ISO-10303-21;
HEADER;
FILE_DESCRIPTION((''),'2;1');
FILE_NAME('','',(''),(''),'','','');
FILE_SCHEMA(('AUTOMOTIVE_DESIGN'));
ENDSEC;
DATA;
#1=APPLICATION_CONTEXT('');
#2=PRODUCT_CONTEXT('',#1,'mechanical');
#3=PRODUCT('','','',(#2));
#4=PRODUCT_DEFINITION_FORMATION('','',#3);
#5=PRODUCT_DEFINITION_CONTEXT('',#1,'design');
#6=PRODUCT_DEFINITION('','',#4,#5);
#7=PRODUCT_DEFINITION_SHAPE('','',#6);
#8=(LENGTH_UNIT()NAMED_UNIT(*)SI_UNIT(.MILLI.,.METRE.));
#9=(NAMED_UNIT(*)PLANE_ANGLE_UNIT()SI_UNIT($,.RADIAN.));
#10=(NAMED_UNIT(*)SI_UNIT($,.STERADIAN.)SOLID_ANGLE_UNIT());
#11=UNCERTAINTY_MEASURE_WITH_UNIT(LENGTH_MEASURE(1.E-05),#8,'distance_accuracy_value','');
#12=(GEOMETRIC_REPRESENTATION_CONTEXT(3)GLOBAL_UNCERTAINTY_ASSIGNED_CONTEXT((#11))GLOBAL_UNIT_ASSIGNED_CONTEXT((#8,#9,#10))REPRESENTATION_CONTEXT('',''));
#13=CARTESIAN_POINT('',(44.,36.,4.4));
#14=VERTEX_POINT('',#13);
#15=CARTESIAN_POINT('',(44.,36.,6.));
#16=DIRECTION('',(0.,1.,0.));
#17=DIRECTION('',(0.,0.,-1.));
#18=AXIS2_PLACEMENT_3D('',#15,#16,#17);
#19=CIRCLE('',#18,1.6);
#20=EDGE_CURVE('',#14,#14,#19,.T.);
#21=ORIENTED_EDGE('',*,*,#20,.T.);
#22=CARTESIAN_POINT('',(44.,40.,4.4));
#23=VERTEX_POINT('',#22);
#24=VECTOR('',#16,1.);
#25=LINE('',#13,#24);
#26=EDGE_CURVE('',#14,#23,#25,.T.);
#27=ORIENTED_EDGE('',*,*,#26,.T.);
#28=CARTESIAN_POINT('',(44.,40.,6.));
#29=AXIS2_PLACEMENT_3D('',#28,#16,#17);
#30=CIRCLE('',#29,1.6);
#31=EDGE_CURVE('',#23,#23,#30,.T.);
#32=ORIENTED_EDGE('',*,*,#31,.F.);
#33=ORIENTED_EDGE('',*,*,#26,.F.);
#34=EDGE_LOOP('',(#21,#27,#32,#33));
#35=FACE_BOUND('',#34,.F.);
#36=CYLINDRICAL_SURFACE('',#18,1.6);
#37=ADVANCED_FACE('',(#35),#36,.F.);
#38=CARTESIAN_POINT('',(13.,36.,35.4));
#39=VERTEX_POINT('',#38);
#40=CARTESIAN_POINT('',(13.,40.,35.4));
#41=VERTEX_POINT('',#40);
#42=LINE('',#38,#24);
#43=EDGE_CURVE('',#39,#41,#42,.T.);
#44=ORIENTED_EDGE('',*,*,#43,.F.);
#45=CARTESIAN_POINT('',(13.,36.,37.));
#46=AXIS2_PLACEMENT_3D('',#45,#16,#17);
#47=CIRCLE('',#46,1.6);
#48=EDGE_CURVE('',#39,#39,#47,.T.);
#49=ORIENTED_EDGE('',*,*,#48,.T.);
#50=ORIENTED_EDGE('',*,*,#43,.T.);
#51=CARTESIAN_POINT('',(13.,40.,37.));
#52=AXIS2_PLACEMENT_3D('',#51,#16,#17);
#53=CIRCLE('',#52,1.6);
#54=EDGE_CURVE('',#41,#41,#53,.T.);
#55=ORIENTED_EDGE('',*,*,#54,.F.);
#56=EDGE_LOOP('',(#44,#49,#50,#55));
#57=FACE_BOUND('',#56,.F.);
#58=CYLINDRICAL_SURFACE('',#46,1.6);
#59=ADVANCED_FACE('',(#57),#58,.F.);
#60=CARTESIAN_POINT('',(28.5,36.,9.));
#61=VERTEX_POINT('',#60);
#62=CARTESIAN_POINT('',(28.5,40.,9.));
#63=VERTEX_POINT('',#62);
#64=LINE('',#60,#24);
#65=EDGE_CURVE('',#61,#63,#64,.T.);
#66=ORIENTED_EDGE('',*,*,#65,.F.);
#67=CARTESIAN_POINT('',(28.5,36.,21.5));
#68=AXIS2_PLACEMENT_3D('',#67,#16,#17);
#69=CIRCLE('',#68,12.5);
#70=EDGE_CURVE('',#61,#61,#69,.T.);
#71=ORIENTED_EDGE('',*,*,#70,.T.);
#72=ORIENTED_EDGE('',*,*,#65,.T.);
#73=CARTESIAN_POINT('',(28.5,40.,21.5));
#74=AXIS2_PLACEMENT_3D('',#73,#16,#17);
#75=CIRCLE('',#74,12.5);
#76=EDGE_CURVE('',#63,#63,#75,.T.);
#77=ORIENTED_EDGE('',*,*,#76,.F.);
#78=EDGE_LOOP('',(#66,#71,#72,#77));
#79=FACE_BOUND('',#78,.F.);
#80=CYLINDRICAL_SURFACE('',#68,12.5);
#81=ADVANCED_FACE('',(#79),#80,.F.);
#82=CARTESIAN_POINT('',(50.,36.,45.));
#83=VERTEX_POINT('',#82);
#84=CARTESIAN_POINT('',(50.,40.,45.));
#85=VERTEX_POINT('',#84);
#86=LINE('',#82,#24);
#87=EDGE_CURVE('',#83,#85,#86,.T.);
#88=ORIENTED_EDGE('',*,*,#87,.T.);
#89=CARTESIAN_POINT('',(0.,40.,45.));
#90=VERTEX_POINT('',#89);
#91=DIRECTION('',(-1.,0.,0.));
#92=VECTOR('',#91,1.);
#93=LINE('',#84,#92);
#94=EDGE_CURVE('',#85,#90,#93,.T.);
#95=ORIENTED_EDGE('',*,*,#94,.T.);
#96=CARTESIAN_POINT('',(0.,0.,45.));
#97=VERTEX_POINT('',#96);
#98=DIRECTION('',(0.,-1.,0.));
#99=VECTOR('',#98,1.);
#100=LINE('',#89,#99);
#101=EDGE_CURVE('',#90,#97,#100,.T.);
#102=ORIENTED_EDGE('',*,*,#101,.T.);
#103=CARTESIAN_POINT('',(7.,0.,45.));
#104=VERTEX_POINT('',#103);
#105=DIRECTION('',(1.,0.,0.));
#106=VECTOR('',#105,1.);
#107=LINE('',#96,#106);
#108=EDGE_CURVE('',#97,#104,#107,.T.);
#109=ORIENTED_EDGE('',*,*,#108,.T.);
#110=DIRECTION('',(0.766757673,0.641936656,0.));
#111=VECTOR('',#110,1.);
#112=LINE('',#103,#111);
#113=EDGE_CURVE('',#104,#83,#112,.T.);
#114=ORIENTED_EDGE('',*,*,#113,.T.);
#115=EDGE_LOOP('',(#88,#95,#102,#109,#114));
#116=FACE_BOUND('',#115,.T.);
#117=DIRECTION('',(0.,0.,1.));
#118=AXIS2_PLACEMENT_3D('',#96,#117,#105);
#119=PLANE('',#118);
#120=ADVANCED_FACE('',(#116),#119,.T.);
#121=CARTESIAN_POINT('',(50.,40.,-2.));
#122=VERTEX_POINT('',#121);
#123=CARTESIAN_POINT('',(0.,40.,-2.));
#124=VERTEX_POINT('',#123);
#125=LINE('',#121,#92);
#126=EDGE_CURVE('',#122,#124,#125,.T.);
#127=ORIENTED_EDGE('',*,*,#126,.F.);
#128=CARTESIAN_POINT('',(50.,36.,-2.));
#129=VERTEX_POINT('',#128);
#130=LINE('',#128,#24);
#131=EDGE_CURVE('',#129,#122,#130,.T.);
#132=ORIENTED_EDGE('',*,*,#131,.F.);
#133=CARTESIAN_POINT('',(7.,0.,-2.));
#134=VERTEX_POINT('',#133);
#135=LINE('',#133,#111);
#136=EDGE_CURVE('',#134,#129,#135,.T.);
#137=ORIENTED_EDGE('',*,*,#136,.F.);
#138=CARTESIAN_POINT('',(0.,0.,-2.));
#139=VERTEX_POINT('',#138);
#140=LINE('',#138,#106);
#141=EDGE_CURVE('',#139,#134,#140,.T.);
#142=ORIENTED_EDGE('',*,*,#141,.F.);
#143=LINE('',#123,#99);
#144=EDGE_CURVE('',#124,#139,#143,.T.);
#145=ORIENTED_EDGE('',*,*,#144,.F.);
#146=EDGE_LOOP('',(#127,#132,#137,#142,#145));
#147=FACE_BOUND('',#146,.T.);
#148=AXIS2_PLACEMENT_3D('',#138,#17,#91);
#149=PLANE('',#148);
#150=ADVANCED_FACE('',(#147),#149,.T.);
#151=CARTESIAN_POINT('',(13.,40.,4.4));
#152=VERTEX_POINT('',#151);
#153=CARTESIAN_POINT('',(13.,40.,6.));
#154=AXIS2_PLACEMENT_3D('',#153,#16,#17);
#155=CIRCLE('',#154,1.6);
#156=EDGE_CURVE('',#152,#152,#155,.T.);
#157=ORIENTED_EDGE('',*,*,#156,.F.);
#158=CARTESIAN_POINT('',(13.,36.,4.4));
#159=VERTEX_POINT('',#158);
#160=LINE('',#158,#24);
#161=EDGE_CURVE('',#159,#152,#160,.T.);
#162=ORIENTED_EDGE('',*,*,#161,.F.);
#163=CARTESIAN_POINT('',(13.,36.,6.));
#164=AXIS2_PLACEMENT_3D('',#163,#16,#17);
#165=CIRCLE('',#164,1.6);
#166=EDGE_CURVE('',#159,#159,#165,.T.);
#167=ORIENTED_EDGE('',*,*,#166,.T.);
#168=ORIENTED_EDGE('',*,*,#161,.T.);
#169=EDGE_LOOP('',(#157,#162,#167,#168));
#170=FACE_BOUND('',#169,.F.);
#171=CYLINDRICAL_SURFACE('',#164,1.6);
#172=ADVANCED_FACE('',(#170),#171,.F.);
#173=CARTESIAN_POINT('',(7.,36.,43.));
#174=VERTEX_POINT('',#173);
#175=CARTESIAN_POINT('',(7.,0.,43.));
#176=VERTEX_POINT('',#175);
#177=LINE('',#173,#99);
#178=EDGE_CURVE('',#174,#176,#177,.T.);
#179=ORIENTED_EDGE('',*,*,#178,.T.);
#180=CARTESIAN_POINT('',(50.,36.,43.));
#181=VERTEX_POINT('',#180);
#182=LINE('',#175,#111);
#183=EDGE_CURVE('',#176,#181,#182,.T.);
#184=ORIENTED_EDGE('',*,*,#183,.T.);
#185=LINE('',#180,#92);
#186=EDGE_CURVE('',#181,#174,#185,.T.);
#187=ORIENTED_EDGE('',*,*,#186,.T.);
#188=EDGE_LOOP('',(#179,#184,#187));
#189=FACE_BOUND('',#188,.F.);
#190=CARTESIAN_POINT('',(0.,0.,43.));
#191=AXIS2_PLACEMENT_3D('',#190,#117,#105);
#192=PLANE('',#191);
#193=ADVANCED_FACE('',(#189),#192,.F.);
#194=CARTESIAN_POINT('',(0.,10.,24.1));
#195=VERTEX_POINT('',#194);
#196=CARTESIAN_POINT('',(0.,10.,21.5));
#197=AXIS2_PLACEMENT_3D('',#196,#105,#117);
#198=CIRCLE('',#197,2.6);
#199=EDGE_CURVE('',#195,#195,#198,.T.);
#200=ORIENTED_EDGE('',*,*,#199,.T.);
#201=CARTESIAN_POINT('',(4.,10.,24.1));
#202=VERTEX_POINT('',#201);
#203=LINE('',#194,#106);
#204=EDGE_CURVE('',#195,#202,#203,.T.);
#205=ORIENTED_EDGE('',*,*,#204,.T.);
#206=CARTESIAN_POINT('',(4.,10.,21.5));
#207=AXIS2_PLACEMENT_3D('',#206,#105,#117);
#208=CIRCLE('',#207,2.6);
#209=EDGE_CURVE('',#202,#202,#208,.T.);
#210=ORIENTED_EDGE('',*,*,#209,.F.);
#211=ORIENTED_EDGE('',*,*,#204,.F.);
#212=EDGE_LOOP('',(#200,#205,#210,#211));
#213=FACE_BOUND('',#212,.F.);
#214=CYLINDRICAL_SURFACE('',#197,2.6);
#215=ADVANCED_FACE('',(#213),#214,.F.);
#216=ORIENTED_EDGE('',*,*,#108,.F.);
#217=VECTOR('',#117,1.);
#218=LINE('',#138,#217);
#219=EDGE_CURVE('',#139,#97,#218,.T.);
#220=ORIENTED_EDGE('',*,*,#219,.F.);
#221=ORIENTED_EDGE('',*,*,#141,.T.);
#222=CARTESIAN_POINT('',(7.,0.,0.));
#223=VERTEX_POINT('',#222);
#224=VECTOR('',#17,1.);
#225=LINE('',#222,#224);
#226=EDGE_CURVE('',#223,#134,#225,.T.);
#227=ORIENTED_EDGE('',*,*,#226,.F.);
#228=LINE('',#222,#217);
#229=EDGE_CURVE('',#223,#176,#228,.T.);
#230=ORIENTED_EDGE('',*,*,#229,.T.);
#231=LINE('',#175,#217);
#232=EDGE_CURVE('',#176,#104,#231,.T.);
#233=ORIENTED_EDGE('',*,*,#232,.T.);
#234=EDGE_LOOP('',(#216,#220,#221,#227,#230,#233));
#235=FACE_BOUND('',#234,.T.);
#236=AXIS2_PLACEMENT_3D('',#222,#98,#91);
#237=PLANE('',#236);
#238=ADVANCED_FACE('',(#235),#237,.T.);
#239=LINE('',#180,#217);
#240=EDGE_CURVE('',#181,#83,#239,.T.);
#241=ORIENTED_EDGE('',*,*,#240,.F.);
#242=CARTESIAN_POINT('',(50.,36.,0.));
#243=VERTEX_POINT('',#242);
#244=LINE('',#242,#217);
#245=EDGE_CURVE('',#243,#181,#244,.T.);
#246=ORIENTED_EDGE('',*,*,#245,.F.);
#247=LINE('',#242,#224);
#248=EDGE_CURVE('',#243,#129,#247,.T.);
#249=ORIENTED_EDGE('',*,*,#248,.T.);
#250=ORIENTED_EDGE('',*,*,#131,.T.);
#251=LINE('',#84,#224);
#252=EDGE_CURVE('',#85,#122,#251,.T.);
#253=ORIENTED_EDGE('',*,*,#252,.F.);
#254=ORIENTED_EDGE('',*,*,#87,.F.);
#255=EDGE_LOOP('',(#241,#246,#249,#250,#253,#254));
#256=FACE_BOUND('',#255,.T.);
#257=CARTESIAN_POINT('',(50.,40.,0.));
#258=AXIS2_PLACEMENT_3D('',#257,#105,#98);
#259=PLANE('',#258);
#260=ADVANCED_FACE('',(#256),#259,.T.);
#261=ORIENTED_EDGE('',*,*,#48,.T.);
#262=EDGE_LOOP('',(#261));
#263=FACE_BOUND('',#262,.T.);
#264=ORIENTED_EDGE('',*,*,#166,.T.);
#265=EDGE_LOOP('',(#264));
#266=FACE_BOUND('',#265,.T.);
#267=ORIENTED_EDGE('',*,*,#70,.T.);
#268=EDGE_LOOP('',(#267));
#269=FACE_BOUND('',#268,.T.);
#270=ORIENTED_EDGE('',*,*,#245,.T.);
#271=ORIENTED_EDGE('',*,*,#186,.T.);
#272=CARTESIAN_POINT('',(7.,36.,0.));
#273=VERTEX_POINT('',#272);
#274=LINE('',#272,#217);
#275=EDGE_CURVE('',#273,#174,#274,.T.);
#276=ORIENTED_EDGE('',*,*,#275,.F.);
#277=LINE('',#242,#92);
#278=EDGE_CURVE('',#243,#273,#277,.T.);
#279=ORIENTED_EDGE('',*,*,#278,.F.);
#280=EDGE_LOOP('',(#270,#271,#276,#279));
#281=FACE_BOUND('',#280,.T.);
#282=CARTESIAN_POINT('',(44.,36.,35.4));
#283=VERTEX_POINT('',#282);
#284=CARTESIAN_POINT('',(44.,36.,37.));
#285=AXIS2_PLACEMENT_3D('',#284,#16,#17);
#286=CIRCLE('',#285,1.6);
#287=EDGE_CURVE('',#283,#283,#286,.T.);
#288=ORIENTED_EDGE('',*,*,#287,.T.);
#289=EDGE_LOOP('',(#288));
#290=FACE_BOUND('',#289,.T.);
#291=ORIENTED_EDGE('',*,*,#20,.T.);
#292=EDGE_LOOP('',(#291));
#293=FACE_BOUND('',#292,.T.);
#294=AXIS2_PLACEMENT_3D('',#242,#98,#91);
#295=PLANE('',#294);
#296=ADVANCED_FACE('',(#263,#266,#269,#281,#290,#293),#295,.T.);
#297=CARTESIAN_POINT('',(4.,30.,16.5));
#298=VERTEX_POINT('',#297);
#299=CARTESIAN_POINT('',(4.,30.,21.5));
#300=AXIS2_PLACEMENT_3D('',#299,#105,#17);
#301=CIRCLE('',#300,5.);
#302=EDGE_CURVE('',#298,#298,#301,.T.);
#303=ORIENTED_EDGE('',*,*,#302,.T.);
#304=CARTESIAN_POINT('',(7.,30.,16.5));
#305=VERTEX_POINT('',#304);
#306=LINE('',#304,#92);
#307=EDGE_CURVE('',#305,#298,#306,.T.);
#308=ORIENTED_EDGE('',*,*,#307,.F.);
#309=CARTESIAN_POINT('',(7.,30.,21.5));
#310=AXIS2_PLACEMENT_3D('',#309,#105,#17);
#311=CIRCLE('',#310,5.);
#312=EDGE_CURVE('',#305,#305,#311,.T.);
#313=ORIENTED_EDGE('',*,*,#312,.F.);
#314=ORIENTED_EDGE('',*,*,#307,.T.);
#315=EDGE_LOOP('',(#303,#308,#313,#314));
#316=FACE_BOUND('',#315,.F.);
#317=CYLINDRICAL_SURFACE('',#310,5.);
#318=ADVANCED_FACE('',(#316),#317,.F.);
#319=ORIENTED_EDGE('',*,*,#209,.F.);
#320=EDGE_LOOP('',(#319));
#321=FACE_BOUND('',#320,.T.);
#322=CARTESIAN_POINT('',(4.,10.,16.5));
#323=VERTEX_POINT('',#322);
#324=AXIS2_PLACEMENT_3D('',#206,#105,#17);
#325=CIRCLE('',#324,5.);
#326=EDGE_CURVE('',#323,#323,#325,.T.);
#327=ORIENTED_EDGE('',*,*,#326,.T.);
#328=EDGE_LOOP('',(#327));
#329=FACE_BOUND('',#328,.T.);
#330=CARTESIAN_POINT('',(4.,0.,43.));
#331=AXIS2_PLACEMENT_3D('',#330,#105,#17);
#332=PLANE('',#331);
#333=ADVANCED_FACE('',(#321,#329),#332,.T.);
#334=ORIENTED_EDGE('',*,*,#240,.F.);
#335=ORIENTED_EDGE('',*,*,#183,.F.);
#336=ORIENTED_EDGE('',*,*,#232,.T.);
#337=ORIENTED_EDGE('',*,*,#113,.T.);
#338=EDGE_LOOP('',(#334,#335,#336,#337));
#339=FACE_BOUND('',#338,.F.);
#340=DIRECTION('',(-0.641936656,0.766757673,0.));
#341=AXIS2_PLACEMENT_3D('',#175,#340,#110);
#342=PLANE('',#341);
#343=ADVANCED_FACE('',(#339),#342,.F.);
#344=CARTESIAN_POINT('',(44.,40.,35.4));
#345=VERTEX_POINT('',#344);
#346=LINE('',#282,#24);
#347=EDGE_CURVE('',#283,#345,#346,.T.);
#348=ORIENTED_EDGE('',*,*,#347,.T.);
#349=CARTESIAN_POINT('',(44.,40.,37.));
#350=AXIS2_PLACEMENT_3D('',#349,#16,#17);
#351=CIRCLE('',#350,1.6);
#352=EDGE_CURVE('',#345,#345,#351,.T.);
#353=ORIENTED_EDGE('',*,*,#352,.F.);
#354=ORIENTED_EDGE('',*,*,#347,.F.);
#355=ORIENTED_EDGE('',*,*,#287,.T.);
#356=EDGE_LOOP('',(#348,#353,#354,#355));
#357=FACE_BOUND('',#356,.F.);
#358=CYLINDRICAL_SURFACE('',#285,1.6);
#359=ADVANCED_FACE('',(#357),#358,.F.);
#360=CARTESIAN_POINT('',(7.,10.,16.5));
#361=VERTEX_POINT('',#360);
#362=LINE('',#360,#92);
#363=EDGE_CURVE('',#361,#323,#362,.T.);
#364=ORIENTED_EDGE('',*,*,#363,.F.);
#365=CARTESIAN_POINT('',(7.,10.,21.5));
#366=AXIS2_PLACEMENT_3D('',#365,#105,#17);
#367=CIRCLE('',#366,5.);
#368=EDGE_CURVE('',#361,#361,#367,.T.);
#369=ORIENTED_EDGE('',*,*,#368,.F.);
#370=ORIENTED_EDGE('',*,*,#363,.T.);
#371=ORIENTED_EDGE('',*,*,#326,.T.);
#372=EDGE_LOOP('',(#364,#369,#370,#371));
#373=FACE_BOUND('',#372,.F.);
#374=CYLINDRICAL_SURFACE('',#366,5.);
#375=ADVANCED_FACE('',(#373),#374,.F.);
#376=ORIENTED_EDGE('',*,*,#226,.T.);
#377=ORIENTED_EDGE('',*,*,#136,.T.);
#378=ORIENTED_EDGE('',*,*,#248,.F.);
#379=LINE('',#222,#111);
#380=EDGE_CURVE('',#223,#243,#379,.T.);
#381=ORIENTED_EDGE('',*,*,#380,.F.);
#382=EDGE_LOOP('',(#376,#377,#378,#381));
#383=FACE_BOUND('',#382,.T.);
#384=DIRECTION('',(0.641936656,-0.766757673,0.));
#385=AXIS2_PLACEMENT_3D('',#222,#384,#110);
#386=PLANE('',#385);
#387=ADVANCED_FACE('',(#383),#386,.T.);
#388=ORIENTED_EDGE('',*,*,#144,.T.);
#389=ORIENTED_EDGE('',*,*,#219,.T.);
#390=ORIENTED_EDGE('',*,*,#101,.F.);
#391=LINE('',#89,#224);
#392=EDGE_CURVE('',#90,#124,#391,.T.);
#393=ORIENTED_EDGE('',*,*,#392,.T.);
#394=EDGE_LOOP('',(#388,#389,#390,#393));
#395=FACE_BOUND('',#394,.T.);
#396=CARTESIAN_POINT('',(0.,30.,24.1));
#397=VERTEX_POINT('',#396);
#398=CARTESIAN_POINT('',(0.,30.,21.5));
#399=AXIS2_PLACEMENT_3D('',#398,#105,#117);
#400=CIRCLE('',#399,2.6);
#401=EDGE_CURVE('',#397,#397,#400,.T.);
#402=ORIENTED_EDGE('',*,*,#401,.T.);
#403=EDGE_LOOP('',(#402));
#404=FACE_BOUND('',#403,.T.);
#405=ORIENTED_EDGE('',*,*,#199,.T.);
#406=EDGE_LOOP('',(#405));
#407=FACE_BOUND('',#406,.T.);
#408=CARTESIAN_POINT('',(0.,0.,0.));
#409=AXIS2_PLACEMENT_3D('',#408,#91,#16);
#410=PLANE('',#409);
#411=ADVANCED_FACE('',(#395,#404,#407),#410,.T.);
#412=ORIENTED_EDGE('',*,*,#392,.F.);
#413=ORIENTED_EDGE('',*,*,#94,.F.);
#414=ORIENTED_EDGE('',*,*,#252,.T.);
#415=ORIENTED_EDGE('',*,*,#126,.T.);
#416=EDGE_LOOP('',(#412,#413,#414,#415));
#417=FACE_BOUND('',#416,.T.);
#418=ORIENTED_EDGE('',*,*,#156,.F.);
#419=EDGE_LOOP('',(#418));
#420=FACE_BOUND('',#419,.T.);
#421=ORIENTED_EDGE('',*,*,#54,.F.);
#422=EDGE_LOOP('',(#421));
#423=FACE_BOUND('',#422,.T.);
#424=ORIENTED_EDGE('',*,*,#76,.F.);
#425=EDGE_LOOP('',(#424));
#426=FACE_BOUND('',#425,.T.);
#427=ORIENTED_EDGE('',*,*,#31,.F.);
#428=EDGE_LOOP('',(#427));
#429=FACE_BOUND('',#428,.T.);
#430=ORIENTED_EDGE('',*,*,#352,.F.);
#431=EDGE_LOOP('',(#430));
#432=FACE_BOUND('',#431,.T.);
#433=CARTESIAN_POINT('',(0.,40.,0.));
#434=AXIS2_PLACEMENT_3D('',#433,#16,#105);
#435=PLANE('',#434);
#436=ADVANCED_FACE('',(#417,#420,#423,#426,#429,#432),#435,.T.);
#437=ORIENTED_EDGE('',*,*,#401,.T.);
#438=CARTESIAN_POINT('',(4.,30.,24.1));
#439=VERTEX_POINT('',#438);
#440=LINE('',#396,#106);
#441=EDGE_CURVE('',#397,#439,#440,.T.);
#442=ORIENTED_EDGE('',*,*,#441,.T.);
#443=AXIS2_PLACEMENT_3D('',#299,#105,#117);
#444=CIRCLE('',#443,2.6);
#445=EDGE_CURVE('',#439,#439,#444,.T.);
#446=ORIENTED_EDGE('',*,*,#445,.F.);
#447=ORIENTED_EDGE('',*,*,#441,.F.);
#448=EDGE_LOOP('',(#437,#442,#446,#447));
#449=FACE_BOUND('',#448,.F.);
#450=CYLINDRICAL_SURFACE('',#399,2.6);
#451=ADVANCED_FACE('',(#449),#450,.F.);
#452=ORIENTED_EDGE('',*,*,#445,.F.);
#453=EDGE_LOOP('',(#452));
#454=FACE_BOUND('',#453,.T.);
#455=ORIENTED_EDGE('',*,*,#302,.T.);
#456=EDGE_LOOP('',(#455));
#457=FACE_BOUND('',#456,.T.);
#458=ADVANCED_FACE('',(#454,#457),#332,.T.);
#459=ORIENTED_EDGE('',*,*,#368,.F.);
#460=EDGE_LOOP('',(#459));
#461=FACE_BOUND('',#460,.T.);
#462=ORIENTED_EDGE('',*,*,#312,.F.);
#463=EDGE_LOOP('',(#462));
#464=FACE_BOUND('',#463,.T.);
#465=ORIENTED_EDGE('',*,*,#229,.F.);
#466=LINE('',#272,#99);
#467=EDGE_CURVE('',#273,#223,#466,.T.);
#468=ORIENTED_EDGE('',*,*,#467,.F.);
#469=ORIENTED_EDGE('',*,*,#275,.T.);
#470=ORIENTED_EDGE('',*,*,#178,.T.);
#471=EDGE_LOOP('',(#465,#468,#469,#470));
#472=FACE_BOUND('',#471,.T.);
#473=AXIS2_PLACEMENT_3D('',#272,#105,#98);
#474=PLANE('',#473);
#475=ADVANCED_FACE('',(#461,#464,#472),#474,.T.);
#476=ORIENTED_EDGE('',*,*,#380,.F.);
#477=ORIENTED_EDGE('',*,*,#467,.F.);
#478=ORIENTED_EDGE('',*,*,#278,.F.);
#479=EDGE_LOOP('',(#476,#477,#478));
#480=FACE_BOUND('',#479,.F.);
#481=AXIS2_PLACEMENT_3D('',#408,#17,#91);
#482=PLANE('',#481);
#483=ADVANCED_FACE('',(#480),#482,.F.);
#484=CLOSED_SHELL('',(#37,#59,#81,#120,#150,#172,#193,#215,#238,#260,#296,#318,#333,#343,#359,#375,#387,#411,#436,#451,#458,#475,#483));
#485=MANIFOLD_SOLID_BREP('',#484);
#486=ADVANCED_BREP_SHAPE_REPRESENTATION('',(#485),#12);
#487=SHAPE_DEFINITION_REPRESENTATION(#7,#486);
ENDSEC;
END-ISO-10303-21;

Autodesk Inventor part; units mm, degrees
ref_plane "YZ Plane" through (0, 0, 0) normal (1, 0, 0) x (0, 1, 0)
ref_plane "XZ Plane" through (0, 0, 0) normal (0, 1, 0) x (-1, 0, 0)
ref_plane "XY Plane" through (0, 0, 0) normal (0, 0, 1) x (1, 0, 0)
sketch "Sketch1" plane through (0, 0, 0) normal (0, 0, 1) x (1, 0, 0)
  line L0 (0, 0) -> (0, 40)
  line L1 (0, 40) -> (50, 40)
  line L2 (50, 40) -> (50, 36)
  line L3 (50, 36) -> (7, 36)
  line L4 (7, 36) -> (7, 0)
  line L5 (7, 0) -> (0, 0)
  dimension "d0" = 40
  dimension "d1" = 43
  dimension "d2" = 4
  dimension "d3" = 7
extrude "Extrusion1" add sketch "Sketch1" along normal blind 43
sketch "Sketch2" plane through (0, 0, 43) normal (0, 0, 1) x (1, 0, 0)
  line L0 (7, 0) -> (7, 36) projected
  line L1 (7, 36) -> (50, 36) projected
  line L2 (50, 36) -> (50, 40) projected
  line L3 (50, 40) -> (0, 40) projected
  line L4 (0, 40) -> (0, 0) projected
  line L5 (0, 0) -> (7, 0) projected
  line L6 (7, 0) -> (7, 36) projected
  line L7 (7, 36) -> (50, 36) projected
  line L8 (7, 0) -> (50, 36)
extrude "Extrusion2" add sketch "Sketch2" along normal blind 2
sketch "Sketch3" plane through (0, 0, 0) normal (0, 0, -1) x (-1, 0, 0)
  line L0 (-7, 0) -> (-7, 36) projected
  line L1 (0, 0) -> (-7, 0) projected
  line L2 (0, 40) -> (0, 0) projected
  line L3 (-50, 40) -> (0, 40) projected
  line L4 (-50, 36) -> (-50, 40) projected
  line L5 (-7, 36) -> (-50, 36) projected
  line L6 (0, 0) -> (-7, 0) projected
  line L7 (-7, 0) -> (-50, 36) projected
  line L8 (-7, 0) -> (-50, 36)
extrude "Extrusion3" add sketch "Sketch3" along normal blind 2
sketch "Sketch4" plane through (7, 36, 43) normal (0, -1, 0) x (1, 0, 0)
  line L0 (0, -43) -> (43, -43) projected
  line L1 (43, -43) -> (43, 0) projected
  line L2 (0, 0) -> (43, 0) projected
  line L3 (0, -43) -> (0, 0) projected
  line L4 (37, -6) -> (6, -6) construction
  line L5 (6, -6) -> (6, -37) construction
  line L6 (6, -37) -> (37, -37) construction
  line L7 (37, -37) -> (37, -6) construction
  line L8 (0, 0) -> (43, 0) construction
  point P0 (-7, -43)
  point P1 (21.5, -21.5)
  point P2 (37, -21.5)
  point P3 (43, -21.5)
  point P4 (21.5, 0)
  point P5 (21.5, -6)
  dimension "d10" = 31
  dimension "d11" = 31
hole "Hole1" at (44, 36, 37) at (44, 36, 6) at (13, 36, 6) at (13, 36, 37) direction (0, 1, 0) diameter 3.2 end through all
hole "Hole2" at (28.5, 36, 21.5) direction (0, 1, 0) diameter 25 end through all
sketch "Sketch5" plane through (0, 0, 45) normal (-1, 0, 0) x (0, 0, 1)
  line L0 (-47, 40) -> (0, 40) projected
  line L1 (-47, 0) -> (0, 0) projected
  point P0 (-45, 0)
  point P1 (-23.5, 30)
  point P2 (-23.5, 10)
  point P3 (-23.5, 40)
  dimension "d26" = 10
  dimension "d27" = 10
hole "Hole3" at (0, 30, 21.5) at (0, 10, 21.5) direction (1, 0, 0) diameter 5.2 end through all
sketch "Sketch6" plane through (7, 0, 43) normal (1, 0, 0) x (0, 0, -1)
  circle A0 centre (21.5, 30) radius 2.6 projected
  circle A1 centre (21.5, 10) radius 2.6 projected
  line L0 (43, 0) -> (43, 36) projected
  line L1 (43, 36) -> (0, 36) projected
  line L2 (0, 0) -> (0, 36) projected
  line L3 (43, 0) -> (0, 0) projected
  circle A2 centre (21.5, 30) radius 5
  circle A3 centre (21.5, 10) radius 5
  point P0 (43, 0)
  dimension "d35" = 10
  dimension "d36" = 10
extrude "Extrusion4" cut sketch "Sketch6" against normal blind 3 contours A2 | A3
properties part number "Extruder Mount"
